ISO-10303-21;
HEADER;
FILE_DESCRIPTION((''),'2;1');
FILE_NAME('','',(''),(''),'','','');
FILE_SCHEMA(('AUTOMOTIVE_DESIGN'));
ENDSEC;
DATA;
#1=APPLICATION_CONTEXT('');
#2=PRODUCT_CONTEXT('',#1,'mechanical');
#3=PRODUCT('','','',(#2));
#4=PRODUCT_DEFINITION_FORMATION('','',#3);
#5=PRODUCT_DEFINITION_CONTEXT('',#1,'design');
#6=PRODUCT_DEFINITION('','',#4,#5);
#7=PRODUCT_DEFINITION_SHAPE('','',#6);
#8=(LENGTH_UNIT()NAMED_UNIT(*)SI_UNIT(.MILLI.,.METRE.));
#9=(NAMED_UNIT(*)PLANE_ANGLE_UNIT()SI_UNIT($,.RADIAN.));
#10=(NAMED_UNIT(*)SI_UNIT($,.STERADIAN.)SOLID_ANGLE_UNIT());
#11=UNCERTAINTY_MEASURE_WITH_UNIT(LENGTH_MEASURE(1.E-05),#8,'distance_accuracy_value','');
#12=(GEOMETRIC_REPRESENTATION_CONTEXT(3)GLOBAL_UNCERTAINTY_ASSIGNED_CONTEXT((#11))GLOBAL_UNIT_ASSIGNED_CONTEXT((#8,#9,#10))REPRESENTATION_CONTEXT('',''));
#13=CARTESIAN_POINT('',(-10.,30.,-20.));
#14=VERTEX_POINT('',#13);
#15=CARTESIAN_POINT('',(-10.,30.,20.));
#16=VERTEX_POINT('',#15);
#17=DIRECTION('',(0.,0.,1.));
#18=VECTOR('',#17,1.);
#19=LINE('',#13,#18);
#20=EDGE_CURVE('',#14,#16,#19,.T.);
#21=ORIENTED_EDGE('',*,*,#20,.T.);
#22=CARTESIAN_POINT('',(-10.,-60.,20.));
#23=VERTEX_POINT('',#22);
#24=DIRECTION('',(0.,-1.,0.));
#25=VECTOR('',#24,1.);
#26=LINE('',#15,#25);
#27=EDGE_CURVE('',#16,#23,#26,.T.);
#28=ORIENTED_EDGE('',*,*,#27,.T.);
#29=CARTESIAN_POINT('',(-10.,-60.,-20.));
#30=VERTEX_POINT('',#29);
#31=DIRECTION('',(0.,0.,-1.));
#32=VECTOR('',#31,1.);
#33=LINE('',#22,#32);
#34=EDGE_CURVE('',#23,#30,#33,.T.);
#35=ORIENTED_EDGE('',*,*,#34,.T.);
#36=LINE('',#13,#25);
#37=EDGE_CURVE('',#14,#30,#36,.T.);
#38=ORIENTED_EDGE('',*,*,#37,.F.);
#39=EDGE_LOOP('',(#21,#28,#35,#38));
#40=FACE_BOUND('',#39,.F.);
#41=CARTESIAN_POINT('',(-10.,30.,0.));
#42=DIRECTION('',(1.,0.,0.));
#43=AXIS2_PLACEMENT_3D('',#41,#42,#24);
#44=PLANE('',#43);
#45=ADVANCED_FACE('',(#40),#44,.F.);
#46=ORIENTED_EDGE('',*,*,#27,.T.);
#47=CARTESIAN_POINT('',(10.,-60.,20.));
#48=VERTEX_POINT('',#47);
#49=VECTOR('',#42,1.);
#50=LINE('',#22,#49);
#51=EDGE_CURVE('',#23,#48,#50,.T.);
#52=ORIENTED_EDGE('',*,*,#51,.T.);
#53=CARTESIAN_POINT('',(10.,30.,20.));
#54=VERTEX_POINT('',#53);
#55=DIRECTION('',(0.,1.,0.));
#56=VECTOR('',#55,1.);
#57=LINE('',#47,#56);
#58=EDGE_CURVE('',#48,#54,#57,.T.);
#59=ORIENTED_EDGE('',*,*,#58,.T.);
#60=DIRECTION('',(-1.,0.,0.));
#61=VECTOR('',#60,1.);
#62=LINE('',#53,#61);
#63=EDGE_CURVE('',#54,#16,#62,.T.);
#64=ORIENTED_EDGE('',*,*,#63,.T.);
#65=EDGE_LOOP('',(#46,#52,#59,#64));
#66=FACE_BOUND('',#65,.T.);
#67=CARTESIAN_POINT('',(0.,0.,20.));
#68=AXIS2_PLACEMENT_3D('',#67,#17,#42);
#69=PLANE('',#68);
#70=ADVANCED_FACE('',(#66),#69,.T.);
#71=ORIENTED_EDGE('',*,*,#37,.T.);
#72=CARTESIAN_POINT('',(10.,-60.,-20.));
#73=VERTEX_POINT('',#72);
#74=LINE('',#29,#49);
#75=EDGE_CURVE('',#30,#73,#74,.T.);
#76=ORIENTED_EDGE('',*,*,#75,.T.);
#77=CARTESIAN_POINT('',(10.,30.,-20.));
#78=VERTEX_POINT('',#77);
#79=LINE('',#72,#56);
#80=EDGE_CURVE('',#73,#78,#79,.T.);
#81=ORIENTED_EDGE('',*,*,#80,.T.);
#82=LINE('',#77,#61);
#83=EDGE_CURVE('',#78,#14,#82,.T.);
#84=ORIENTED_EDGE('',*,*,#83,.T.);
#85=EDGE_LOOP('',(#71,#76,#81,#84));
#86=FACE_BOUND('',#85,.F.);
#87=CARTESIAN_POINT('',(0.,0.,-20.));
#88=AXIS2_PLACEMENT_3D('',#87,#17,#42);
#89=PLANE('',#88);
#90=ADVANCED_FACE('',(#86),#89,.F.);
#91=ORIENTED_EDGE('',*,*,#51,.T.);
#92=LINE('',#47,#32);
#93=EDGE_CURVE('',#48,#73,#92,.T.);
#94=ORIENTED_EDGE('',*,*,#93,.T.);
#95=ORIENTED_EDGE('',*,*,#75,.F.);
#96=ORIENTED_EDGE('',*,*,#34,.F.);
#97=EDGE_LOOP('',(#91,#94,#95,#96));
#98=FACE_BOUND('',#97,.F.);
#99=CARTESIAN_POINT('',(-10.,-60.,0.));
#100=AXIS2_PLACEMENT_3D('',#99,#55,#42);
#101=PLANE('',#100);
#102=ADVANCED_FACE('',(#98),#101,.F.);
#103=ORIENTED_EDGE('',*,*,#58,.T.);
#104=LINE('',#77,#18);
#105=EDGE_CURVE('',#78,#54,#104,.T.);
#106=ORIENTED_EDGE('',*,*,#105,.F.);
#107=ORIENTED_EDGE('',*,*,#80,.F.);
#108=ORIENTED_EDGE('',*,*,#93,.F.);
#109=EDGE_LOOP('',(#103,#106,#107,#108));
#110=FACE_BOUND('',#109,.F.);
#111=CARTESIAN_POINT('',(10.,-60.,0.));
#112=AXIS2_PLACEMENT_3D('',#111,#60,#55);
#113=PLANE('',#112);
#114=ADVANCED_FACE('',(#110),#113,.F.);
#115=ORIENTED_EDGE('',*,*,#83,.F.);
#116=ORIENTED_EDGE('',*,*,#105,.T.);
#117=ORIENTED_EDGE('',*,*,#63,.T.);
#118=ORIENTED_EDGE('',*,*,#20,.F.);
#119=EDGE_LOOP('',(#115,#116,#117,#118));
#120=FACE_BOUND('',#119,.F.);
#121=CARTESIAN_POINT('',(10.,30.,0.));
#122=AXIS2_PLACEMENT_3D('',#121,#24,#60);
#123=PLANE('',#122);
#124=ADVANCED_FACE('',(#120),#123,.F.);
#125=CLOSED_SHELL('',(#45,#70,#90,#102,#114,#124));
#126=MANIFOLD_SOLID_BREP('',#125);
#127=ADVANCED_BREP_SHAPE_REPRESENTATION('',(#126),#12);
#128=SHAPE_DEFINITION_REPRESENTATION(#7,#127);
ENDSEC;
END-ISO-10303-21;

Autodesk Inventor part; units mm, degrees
ref_plane "YZ Plane" through (0, 0, 0) normal (1, 0, 0) x (0, 1, 0)
ref_plane "XZ Plane" through (0, 0, 0) normal (0, 1, 0) x (-1, 0, 0)
ref_plane "XY Plane" through (0, 0, 0) normal (0, 0, 1) x (1, 0, 0)
sketch "Szkic1" plane through (0, 0, 0) normal (0, 0, 1) x (1, 0, 0)
  line L0 (10, 30) -> (-10, 30)
  line L1 (-10, 30) -> (-10, -60)
  line L2 (-10, -60) -> (10, -60)
  line L3 (10, -60) -> (10, 30)
  point P0 (0, 0)
  dimension "d0" = 20
  dimension "d1" = 90
extrude "Wyciągnięcie proste1" add sketch "Szkic1" along normal mid plane 40
properties part number "rama_2"
